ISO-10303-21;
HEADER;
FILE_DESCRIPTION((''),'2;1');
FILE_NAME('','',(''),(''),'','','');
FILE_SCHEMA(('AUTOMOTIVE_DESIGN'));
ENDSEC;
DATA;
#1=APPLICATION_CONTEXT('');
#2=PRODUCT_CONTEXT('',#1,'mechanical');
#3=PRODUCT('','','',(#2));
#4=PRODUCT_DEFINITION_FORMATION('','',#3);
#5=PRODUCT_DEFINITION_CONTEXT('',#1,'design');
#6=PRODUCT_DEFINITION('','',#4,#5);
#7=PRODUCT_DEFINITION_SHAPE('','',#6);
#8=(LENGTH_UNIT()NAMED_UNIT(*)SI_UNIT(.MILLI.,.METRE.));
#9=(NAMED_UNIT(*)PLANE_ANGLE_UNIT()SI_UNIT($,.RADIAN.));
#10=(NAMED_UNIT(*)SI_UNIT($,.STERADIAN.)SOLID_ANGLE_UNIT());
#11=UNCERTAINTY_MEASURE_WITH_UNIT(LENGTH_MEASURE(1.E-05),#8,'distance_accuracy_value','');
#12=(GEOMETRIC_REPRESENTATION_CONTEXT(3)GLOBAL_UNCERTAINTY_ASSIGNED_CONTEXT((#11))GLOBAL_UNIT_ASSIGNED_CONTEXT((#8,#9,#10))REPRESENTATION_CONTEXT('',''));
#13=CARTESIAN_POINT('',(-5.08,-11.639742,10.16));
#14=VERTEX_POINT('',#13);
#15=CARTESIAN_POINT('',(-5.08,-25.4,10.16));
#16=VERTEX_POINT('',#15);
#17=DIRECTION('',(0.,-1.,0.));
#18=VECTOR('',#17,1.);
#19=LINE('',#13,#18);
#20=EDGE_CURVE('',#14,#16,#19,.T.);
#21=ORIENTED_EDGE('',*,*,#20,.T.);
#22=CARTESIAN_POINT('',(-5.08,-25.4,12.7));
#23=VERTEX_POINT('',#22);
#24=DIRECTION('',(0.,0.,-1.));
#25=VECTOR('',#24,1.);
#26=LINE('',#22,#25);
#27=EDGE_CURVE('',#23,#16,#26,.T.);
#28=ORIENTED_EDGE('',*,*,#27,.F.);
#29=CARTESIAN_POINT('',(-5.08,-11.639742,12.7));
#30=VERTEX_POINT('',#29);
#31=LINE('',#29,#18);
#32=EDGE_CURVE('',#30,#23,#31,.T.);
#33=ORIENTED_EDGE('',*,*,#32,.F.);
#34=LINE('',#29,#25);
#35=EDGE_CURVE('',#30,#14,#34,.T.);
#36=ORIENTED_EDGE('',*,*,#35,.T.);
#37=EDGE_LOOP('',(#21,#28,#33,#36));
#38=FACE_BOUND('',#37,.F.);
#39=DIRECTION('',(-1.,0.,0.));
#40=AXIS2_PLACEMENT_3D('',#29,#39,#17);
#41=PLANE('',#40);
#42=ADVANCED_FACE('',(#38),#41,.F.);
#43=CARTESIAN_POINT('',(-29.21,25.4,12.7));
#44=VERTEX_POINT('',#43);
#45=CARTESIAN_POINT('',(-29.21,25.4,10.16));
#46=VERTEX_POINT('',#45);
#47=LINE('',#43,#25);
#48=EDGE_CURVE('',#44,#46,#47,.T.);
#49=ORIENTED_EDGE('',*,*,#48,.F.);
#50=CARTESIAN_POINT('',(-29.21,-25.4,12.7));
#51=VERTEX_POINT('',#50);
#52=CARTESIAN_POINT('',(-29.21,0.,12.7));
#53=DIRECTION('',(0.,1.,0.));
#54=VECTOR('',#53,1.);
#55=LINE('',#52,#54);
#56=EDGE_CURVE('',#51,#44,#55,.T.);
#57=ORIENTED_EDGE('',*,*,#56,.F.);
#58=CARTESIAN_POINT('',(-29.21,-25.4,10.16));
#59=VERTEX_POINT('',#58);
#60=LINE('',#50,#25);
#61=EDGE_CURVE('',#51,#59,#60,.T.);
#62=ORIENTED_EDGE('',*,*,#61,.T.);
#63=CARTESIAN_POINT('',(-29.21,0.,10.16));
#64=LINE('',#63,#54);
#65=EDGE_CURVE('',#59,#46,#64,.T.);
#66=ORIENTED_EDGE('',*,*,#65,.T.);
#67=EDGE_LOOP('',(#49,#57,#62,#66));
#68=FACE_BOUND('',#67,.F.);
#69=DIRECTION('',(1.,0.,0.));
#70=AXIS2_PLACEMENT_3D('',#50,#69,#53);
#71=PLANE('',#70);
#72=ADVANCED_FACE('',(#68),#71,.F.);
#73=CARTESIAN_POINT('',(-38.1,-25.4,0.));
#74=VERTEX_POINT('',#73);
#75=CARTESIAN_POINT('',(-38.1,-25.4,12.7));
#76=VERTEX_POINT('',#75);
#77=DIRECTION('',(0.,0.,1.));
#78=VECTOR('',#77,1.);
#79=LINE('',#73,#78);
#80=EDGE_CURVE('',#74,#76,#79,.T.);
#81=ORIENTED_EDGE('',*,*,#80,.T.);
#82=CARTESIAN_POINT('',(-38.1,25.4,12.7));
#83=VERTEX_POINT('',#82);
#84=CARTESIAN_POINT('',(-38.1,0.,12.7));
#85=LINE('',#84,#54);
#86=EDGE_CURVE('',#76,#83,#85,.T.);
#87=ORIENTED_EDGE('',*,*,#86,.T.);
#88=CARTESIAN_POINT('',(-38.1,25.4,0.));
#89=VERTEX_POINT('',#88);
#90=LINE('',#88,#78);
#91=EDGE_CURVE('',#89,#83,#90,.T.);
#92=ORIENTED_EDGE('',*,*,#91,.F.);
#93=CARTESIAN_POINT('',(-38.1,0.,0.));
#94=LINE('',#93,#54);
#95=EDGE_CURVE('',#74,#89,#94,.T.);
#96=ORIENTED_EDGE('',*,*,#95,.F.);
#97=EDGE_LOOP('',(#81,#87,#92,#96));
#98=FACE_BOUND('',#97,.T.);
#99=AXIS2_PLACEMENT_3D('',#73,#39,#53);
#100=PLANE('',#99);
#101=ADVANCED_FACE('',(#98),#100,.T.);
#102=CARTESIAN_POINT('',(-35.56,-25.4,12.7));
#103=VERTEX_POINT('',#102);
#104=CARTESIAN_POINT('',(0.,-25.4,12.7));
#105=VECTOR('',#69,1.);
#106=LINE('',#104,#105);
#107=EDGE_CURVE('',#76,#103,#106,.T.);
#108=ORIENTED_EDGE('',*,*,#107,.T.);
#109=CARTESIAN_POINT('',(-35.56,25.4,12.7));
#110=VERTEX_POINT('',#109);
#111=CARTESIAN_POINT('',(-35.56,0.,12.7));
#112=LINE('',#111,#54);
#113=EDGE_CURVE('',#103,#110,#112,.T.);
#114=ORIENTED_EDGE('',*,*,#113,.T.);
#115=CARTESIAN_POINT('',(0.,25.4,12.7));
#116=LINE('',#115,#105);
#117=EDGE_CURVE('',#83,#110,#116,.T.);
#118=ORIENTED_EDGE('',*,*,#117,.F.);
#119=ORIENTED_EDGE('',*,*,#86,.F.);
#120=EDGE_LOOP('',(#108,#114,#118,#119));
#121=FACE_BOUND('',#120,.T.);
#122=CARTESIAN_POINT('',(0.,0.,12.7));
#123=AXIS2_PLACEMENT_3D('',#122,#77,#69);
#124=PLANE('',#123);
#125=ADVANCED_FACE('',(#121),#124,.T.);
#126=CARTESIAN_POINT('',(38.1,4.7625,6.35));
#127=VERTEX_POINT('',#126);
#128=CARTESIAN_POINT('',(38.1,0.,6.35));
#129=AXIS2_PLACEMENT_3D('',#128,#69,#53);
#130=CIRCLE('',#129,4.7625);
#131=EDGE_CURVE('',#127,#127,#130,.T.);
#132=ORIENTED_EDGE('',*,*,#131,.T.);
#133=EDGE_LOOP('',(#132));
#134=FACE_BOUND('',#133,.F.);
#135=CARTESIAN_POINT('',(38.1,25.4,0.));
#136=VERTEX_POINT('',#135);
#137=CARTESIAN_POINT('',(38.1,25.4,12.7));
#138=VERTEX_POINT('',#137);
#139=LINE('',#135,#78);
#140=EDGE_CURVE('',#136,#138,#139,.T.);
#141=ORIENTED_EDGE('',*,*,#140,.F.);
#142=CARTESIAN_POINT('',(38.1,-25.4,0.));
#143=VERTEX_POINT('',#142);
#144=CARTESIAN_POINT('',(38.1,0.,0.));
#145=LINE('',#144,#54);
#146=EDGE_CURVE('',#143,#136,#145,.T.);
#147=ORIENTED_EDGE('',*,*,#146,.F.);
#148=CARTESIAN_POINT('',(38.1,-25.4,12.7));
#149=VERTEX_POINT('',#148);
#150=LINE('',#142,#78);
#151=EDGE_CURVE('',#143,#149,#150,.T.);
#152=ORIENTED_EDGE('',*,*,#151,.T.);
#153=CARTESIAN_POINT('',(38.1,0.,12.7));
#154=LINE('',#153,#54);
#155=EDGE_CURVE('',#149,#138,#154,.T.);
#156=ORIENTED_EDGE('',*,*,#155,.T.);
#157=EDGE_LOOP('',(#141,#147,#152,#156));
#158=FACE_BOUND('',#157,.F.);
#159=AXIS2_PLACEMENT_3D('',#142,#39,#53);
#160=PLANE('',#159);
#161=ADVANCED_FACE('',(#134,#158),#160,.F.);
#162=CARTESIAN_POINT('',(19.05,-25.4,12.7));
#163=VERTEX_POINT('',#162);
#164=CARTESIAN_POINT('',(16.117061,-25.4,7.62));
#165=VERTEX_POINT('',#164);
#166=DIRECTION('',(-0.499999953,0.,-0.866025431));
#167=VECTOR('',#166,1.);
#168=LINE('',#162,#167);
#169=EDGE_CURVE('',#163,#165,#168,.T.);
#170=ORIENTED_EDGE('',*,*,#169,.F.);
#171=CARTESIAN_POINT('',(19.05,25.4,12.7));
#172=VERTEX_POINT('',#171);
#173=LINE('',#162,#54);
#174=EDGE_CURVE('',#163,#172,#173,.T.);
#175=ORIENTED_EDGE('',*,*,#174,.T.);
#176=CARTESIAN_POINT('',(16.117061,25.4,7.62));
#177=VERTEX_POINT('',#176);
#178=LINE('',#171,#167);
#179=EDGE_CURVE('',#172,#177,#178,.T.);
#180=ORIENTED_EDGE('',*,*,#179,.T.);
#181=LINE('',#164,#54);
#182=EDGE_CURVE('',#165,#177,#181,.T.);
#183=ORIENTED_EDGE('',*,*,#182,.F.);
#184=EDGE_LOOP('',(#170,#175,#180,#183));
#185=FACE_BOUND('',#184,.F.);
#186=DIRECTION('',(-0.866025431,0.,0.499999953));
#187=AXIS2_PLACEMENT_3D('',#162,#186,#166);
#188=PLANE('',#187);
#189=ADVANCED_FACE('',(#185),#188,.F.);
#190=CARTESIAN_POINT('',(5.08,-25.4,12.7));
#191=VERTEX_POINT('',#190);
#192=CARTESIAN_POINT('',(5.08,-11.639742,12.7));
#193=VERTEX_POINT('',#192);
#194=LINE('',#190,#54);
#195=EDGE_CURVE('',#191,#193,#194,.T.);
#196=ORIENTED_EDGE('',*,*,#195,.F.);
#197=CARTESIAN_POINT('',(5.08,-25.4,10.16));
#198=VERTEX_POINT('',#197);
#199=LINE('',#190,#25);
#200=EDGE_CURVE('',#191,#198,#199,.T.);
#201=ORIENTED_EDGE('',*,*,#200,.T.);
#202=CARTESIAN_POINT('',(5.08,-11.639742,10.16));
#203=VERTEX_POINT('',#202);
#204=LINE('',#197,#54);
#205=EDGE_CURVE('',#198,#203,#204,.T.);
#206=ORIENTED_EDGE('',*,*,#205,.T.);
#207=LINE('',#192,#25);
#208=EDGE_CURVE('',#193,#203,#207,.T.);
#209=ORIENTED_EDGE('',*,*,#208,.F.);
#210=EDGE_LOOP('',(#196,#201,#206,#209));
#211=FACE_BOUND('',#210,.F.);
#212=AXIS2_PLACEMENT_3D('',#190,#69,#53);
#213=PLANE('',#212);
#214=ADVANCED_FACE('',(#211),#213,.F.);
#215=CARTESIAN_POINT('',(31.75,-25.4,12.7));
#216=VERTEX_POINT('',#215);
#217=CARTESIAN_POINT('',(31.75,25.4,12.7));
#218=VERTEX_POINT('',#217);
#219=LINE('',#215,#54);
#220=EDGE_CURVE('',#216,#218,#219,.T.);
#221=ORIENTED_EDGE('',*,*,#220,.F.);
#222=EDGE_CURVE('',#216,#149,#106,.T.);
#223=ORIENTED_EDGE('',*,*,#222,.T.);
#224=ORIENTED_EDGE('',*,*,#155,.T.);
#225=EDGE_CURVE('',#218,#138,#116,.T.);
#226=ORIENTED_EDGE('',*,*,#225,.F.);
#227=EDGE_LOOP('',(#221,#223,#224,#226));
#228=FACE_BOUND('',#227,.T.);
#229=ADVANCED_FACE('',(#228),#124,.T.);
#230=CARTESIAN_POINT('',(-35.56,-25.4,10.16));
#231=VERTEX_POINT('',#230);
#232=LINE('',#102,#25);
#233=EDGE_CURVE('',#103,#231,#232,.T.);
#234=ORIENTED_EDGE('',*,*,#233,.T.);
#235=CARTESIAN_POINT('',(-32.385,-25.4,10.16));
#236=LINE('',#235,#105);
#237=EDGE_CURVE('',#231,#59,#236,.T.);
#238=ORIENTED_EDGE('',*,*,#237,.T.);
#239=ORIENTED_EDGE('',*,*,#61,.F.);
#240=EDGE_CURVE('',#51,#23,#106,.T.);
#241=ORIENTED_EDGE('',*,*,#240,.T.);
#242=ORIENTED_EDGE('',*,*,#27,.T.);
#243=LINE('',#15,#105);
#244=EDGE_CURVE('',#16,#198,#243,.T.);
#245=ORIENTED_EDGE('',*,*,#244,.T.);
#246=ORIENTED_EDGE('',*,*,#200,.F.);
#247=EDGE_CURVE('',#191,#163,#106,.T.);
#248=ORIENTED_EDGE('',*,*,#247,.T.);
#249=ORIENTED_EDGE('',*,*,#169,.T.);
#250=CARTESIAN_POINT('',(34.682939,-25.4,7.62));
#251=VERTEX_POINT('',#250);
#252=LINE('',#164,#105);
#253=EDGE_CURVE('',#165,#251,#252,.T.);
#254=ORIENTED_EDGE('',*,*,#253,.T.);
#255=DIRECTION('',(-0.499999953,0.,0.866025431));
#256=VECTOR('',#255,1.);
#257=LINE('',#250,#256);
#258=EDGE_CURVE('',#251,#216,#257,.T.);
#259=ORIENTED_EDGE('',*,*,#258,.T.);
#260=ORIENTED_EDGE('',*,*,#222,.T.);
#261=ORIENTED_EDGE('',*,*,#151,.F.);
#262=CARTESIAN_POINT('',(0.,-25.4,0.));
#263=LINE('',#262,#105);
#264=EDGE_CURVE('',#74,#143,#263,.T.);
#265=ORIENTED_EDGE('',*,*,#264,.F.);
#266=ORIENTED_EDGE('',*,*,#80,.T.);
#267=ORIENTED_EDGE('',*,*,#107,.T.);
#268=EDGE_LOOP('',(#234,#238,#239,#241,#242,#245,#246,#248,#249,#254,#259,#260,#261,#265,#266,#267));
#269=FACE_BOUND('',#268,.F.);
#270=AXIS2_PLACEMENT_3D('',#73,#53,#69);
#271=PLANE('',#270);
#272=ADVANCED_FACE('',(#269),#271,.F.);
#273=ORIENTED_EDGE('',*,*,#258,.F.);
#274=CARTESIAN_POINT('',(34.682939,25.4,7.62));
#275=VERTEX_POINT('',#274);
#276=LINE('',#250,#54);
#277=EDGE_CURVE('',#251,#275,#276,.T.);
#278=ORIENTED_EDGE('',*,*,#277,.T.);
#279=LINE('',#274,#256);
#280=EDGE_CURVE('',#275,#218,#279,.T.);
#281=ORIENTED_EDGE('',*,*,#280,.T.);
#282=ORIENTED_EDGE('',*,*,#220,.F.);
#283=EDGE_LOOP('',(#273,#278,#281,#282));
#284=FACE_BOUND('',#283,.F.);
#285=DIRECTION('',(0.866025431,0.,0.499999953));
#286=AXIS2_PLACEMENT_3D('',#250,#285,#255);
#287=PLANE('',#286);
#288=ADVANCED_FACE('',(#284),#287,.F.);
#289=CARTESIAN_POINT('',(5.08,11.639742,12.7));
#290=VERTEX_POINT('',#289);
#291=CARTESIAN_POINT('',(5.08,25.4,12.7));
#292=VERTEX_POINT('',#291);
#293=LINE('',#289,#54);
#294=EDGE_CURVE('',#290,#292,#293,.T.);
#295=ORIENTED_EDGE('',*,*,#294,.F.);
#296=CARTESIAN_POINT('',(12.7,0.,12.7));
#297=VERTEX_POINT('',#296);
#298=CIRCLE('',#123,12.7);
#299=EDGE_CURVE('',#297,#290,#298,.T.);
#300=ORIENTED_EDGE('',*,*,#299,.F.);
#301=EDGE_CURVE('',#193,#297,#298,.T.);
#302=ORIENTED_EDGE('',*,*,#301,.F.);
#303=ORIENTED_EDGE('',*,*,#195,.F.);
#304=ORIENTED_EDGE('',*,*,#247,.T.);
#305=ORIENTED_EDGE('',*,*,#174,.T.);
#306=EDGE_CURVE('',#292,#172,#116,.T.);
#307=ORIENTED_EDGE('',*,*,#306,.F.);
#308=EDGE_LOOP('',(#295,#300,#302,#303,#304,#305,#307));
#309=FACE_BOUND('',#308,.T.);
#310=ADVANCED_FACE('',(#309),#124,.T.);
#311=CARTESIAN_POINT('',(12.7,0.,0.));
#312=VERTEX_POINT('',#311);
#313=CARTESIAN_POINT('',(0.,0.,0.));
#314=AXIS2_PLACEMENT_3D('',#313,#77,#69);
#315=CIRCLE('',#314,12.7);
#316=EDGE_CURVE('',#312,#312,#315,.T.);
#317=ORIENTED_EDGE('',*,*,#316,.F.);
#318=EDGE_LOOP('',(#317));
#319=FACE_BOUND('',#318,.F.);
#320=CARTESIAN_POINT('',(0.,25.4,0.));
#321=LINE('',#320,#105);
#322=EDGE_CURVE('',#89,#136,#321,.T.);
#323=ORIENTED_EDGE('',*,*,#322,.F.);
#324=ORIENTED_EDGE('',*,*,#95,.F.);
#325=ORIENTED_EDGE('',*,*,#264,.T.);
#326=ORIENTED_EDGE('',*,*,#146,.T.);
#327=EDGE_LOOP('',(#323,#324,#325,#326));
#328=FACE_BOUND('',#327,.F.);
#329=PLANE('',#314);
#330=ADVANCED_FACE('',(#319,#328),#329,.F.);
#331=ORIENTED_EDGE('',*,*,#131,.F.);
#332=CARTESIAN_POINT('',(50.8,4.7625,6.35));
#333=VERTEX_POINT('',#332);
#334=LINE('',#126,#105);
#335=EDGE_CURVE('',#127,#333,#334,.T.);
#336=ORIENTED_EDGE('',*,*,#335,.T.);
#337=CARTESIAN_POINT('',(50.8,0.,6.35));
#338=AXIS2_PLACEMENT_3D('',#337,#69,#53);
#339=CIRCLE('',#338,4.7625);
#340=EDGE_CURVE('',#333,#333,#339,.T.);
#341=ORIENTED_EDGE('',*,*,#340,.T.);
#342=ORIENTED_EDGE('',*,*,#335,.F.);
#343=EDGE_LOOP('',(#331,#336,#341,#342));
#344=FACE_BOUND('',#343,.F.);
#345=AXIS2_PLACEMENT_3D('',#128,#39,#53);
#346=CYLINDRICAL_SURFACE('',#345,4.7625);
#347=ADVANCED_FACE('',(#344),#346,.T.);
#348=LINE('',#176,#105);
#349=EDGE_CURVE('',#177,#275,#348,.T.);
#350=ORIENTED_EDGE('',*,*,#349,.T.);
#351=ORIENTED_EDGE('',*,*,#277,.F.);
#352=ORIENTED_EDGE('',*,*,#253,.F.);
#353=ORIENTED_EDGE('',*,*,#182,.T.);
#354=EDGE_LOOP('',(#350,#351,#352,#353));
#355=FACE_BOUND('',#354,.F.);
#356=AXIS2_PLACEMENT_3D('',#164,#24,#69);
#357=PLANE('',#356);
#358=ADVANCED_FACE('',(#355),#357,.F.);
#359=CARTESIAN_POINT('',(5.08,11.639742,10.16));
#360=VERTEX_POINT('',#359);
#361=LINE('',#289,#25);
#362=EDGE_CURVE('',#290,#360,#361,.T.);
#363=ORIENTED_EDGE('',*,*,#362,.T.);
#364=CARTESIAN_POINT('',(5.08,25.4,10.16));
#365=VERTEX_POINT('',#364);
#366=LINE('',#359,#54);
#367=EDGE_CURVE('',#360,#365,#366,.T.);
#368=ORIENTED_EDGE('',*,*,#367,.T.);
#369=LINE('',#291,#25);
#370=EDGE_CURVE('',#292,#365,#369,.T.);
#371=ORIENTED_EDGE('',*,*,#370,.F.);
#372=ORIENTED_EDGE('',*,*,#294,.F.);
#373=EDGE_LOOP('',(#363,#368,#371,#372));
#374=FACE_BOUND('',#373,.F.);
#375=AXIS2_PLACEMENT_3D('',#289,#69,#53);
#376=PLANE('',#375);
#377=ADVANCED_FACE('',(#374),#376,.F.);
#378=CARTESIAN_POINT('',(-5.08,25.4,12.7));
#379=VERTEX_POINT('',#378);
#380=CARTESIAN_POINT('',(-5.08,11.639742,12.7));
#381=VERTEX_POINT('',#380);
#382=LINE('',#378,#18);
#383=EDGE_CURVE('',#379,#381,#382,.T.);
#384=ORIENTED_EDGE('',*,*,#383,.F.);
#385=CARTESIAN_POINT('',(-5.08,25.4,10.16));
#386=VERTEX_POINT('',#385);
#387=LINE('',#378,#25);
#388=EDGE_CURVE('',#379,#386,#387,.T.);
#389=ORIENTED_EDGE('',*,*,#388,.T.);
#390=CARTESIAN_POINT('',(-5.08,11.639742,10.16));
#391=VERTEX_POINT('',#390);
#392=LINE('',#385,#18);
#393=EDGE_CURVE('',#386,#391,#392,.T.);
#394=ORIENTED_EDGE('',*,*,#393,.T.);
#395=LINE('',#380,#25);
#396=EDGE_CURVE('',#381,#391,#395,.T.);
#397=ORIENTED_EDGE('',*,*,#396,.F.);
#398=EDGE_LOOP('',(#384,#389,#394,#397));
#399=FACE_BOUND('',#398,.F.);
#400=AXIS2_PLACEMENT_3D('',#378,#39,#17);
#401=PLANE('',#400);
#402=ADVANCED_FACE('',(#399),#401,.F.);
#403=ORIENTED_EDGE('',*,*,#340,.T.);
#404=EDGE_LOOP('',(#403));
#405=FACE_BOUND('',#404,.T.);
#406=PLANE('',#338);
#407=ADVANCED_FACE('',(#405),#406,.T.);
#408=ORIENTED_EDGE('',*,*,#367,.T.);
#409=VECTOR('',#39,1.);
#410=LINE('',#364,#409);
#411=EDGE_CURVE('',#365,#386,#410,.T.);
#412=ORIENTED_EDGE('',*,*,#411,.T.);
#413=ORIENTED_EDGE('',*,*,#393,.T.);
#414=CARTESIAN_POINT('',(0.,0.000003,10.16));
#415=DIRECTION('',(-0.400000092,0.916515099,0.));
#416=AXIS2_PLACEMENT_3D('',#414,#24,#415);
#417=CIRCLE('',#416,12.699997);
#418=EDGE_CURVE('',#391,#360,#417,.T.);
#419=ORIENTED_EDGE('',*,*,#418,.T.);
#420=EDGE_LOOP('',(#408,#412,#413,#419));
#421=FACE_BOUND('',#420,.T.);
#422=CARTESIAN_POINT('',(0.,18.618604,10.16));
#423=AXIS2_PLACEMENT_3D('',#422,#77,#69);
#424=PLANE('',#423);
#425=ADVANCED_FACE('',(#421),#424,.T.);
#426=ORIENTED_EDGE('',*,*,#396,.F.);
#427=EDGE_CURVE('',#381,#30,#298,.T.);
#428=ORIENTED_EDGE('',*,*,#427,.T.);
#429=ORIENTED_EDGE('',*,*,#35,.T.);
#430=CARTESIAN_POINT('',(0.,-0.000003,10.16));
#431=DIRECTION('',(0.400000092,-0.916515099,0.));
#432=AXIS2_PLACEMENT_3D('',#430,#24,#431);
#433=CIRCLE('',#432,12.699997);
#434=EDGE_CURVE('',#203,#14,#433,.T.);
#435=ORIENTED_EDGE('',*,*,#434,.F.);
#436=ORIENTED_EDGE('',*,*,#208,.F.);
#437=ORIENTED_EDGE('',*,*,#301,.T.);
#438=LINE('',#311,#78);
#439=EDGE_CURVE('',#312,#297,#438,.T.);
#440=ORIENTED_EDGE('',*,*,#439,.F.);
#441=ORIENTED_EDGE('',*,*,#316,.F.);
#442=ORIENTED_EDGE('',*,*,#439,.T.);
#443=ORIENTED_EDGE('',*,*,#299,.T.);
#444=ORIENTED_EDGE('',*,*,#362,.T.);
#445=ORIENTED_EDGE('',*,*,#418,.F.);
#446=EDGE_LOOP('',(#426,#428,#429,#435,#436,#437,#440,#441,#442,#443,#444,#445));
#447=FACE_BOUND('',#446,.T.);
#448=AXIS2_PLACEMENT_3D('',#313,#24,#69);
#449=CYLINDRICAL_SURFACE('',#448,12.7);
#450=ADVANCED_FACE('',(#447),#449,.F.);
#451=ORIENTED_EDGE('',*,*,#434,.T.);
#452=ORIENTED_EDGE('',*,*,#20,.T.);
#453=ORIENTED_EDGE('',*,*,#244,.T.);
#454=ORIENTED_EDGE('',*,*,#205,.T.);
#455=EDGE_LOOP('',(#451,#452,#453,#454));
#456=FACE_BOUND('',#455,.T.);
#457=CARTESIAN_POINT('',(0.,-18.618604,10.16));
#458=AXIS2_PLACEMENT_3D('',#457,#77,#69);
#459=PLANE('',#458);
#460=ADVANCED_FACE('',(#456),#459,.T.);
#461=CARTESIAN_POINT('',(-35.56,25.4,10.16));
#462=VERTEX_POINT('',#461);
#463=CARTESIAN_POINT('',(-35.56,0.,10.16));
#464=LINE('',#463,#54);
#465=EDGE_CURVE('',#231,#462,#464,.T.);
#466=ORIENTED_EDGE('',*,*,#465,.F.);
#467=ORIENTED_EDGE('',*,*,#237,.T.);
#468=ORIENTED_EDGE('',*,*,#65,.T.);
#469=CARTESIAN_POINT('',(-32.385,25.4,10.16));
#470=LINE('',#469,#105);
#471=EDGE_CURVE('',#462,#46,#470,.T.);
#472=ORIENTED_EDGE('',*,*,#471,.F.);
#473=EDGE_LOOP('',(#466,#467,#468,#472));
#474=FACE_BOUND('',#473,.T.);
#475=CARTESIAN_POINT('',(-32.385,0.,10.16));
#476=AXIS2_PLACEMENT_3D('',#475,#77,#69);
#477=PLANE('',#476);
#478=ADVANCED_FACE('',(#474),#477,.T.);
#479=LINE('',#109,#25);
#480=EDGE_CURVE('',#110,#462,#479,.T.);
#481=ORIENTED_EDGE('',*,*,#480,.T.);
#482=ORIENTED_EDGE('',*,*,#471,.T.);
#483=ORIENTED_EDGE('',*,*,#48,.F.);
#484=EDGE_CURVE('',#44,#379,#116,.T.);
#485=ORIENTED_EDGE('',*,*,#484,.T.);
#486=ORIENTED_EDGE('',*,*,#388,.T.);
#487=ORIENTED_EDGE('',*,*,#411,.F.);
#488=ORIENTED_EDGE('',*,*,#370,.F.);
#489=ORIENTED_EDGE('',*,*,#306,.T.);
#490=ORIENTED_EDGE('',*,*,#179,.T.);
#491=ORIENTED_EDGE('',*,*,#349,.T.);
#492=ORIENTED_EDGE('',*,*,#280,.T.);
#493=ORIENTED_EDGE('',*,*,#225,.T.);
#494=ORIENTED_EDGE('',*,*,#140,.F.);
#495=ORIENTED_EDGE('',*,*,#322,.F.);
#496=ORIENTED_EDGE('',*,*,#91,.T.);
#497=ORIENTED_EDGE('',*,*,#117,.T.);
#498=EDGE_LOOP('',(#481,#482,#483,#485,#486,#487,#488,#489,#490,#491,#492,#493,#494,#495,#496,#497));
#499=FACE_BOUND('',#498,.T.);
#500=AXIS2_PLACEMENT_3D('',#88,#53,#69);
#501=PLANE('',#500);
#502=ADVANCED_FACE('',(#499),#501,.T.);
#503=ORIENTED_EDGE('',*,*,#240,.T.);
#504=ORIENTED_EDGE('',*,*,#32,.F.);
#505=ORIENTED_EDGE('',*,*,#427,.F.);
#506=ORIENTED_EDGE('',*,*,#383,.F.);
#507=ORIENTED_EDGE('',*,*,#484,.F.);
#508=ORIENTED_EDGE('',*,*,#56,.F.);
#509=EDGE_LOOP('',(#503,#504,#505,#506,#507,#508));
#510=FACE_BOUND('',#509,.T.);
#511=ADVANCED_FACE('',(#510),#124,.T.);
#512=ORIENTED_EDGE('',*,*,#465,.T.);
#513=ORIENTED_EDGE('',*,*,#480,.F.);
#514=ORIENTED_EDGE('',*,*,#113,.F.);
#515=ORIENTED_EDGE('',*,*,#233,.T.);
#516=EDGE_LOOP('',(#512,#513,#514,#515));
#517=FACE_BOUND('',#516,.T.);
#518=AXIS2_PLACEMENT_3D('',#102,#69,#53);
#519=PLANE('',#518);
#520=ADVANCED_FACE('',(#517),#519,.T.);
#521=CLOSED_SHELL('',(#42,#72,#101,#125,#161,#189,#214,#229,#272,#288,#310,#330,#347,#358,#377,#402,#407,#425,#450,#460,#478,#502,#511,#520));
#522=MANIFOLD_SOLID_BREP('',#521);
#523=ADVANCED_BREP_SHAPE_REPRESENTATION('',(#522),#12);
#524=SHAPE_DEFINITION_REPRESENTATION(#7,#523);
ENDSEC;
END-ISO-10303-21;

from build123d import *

# Parameters (mm, degrees)
F0_W     = 76.2
F0_H     = 50.8
F0_R     = 12.7
F1_DEPTH = 12.7
F2_W     = 6.35
F2_H     = 50.8
F3_DEPTH = 2.54
F5_DEPTH = 50.8
F6_R     = 4.7625
F7_DEPTH = 12.7


with BuildPart() as f1:
    # F0 (on Top) → F1 (new body)
    with BuildSketch(Plane.XY):
        Rectangle(F0_W, F0_H)
        Circle(F0_R, mode=Mode.SUBTRACT)
    extrude(amount=F1_DEPTH)

    # F2 (on face) → F3 (cut)
    with BuildSketch(Plane.XY.offset(12.7)):
        with BuildLine():
            Line((5.08, 25.4), (-5.08, 25.4))
            Line((-5.08, 25.4), (-5.08, 11.639742))
            ThreePointArc((-5.08, 11.639742), (0, 12.7), (5.08, 11.639742))
            Line((5.08, 11.639742), (5.08, 25.4))
        make_face()
        with BuildLine():
            Line((-5.08, -11.639742), (-5.08, -25.4))
            Line((-5.08, -25.4), (5.08, -25.4))
            Line((5.08, -25.4), (5.08, -11.639742))
            ThreePointArc((5.08, -11.639742), (0, -12.7), (-5.08, -11.639742))
        make_face()
        with Locations((-32.385, 0)):
            Rectangle(F2_W, F2_H)
    extrude(amount=-F3_DEPTH, mode=Mode.SUBTRACT)

    # F4 (on face) → F5 (cut, through all)
    with BuildSketch(Plane.XZ.offset(25.4)):
        Polygon((31.75, 12.7), (19.05, 12.7), (16.117061, 7.62), (34.682939, 7.62), align=None)
    extrude(amount=-F5_DEPTH, mode=Mode.SUBTRACT)

    # F6 (on face) → F7 (join)
    with BuildSketch(Plane.YZ.offset(38.1)):
        with Locations((0, 6.35)):
            Circle(F6_R)
    extrude(amount=F7_DEPTH)


solid = f1.part
